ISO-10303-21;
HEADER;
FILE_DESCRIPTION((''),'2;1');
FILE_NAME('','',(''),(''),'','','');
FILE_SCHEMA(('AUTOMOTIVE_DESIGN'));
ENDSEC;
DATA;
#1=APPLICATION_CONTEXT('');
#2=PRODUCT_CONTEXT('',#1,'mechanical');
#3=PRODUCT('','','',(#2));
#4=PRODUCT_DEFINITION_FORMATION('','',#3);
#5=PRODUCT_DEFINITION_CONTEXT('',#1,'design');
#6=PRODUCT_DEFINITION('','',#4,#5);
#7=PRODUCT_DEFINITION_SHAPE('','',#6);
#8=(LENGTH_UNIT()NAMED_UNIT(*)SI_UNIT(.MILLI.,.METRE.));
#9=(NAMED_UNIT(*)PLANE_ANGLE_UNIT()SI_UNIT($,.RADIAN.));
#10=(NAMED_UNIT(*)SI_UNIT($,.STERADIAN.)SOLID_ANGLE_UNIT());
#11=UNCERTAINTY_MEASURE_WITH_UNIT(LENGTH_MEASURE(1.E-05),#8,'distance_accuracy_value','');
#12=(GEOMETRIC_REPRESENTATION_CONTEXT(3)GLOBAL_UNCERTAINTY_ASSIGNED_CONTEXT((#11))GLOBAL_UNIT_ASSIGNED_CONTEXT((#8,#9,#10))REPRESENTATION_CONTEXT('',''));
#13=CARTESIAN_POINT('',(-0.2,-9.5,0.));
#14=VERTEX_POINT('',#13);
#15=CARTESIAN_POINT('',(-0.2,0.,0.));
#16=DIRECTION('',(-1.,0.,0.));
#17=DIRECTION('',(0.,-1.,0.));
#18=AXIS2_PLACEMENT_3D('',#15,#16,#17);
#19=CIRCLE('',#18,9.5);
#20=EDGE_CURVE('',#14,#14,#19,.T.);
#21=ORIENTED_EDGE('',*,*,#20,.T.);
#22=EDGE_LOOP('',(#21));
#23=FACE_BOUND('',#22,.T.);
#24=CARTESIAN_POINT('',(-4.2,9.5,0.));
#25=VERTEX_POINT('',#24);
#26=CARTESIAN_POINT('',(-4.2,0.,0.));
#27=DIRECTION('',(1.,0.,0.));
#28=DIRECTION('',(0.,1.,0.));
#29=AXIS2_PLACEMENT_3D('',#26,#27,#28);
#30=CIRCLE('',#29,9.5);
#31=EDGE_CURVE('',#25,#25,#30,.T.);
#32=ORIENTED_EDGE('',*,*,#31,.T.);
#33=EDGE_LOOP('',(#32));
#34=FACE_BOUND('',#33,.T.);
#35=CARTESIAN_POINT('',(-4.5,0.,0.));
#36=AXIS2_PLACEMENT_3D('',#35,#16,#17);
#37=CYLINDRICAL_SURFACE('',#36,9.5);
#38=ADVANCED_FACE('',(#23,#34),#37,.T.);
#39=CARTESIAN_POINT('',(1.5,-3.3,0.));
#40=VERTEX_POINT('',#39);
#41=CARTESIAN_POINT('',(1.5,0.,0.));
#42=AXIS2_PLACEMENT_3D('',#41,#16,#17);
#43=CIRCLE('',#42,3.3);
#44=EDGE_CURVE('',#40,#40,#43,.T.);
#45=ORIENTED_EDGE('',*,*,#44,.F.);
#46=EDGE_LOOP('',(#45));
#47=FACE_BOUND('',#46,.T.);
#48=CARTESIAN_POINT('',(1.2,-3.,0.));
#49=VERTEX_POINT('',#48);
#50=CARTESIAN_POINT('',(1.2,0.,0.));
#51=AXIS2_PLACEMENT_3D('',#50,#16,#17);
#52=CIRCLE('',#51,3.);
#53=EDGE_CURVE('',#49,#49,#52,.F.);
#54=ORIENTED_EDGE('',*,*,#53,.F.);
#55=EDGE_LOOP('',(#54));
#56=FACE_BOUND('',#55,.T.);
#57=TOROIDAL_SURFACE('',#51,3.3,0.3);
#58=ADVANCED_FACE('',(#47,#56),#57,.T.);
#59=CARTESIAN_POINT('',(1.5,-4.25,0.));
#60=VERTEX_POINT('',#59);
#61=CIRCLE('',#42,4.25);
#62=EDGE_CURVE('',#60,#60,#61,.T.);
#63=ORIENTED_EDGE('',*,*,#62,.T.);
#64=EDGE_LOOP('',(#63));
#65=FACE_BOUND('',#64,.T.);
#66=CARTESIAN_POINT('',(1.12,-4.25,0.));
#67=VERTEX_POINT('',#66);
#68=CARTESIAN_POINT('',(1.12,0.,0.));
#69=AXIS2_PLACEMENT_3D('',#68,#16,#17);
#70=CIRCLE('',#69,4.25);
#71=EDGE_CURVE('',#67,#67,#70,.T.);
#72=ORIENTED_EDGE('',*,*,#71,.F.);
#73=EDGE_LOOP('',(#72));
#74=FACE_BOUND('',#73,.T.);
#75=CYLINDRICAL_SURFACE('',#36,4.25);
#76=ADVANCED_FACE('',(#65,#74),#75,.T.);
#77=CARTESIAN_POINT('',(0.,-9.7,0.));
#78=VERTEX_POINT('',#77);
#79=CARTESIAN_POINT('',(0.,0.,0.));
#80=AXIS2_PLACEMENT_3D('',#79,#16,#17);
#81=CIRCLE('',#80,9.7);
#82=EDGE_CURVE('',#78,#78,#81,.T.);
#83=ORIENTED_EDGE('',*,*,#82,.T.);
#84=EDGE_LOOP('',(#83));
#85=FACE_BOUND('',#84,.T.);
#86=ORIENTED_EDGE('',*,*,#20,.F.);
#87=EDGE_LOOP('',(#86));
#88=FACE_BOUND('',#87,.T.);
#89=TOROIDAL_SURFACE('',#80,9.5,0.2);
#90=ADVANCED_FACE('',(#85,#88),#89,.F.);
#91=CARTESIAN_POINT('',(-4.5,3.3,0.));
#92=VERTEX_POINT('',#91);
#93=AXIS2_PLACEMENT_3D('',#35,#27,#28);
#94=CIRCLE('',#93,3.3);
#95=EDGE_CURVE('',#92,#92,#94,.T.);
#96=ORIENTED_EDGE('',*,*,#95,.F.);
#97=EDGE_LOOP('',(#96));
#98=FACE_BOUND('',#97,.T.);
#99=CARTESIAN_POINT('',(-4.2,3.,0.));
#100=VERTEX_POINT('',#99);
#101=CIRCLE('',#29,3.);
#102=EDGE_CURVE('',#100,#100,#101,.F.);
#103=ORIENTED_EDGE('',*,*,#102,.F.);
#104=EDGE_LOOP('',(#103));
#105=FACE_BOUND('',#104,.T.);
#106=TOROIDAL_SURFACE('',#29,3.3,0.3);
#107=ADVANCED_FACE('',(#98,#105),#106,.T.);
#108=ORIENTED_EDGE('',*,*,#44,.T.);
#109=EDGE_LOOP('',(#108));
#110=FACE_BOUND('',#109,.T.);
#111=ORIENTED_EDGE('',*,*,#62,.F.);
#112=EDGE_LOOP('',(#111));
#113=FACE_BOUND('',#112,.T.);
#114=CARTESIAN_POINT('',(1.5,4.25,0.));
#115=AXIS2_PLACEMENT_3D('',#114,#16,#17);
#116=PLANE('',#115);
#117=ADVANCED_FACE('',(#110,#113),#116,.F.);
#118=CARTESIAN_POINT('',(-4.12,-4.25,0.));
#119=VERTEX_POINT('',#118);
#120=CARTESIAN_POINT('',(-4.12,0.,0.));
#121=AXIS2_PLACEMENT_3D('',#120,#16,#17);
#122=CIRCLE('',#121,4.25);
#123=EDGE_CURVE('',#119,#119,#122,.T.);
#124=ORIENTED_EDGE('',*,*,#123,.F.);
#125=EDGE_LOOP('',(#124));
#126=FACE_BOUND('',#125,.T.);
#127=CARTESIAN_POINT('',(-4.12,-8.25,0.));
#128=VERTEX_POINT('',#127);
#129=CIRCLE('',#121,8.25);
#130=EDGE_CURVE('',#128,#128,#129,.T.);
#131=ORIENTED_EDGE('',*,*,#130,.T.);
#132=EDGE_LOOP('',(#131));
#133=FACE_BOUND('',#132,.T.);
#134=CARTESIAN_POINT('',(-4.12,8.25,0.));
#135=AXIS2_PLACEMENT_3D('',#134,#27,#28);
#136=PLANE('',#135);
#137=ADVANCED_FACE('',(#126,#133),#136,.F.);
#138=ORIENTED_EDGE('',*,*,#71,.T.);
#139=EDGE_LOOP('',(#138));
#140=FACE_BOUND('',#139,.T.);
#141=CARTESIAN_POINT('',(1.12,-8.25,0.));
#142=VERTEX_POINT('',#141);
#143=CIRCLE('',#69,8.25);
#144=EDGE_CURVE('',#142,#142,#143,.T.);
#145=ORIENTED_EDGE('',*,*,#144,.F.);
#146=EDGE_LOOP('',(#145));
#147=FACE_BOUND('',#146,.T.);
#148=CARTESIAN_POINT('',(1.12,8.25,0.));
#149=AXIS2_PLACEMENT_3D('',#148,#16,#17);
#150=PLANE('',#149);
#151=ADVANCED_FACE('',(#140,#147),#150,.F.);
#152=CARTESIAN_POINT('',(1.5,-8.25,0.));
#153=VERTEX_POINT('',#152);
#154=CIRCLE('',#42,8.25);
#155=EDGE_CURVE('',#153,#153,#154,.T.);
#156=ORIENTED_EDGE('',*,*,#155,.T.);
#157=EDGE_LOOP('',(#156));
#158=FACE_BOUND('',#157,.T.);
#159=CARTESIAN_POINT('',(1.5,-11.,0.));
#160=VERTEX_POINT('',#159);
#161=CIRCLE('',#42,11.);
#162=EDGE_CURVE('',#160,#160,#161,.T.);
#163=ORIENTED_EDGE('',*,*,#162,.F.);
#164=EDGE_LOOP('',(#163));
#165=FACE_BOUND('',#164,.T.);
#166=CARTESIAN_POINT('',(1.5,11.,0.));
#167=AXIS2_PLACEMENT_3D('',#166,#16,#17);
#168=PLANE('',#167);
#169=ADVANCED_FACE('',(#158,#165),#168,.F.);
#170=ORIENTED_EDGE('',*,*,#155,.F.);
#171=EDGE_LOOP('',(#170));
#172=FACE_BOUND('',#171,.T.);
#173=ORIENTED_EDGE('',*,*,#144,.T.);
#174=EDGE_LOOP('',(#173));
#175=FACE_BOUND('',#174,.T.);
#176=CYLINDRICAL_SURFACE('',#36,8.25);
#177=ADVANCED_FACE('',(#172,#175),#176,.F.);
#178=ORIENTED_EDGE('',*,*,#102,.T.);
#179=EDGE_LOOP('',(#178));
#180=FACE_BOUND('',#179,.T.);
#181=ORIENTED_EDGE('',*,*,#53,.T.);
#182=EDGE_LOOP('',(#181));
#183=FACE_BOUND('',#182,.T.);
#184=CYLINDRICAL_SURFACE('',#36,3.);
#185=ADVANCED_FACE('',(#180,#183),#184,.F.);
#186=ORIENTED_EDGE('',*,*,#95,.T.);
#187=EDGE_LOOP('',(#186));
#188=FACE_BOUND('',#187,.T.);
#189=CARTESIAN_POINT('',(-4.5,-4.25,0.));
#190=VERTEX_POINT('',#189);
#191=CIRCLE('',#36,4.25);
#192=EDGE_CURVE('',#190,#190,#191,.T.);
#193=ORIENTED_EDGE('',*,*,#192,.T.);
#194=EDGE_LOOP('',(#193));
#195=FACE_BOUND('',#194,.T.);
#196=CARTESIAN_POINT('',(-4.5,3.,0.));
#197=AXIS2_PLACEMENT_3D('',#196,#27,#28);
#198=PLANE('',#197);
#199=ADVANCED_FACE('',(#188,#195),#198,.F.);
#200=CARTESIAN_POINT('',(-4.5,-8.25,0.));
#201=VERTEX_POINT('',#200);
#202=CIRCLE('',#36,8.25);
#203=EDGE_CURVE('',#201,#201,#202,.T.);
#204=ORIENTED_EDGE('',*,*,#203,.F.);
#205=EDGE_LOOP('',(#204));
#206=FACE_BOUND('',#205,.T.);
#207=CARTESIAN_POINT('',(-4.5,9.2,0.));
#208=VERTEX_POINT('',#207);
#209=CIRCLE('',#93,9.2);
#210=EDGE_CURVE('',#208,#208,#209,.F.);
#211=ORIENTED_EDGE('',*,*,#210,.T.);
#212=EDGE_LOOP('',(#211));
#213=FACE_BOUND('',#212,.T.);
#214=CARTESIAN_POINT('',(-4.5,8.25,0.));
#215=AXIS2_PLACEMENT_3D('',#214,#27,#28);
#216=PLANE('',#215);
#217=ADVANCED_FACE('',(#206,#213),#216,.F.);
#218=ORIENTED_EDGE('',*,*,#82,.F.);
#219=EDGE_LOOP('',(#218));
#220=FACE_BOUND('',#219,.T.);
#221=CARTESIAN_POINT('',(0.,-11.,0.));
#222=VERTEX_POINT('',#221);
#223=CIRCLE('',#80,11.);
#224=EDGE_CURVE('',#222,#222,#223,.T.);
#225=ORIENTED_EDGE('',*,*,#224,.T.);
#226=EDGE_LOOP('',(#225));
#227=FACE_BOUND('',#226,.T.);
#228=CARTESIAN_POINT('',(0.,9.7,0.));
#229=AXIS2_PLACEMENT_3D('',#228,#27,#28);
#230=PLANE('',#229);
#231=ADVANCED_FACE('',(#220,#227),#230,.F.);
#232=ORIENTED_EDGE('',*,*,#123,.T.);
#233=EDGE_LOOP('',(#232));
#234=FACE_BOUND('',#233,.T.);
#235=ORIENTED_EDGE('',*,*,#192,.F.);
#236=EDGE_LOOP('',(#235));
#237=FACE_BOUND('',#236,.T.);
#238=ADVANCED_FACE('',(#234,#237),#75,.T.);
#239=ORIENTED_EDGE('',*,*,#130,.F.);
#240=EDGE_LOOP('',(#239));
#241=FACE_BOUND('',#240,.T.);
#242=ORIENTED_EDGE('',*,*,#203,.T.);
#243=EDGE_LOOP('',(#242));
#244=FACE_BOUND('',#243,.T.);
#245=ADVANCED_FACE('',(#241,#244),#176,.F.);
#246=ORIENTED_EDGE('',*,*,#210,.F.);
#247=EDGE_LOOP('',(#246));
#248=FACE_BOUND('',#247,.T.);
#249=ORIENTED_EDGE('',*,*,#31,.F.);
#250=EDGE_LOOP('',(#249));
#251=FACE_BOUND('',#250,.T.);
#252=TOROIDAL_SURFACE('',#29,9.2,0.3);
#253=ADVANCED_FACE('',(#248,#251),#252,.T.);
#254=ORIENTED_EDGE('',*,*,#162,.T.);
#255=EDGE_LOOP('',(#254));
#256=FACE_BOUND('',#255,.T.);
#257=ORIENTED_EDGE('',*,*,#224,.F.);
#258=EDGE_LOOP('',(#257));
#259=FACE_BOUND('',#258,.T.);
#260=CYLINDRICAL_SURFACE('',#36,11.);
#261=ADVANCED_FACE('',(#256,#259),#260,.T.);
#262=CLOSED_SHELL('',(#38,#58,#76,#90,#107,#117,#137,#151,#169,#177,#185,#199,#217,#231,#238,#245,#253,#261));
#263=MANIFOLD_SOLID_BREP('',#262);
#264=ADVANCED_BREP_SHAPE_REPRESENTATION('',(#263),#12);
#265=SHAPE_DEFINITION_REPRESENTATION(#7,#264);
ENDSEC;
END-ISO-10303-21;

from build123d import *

# Parameters (mm, degrees)
FILLET1_R = 0.3


with BuildPart() as part:
    # Sketch1 → Revolve1 (revolve)
    with BuildSketch(Plane.XY):
        with BuildLine():
            Line((0, 9.7), (0, 11))
            Line((0, 11), (1.5, 11))
            Line((1.5, 11), (1.5, 8.25))
            Line((1.5, 8.25), (1.12, 8.25))
            Line((1.12, 8.25), (1.12, 4.25))
            Line((1.12, 4.25), (1.5, 4.25))
            Line((1.5, 4.25), (1.5, 3))
            Line((1.5, 3), (-4.5, 3))
            Line((-4.5, 3), (-4.5, 4.25))
            Line((-4.5, 4.25), (-4.12, 4.25))
            Line((-4.12, 4.25), (-4.12, 8.25))
            Line((-4.12, 8.25), (-4.5, 8.25))
            Line((-4.5, 8.25), (-4.5, 9.5))
            Line((-4.5, 9.5), (-0.2, 9.5))
            ThreePointArc((-0.2, 9.5), (0.141421356, 9.358578644), (0, 9.7))
        make_face()
    revolve(axis=Axis((-4.5, 0, 0), (1, 0, 0)))

    # Fillet1
    fillet1_edges = [part.edges().sort_by_distance(p)[0] for p in [
        (1.5, -3, 0),
        (-4.5, -3, 0),
        (-4.5, -9.5, 0),
    ]]
    fillet(fillet1_edges, radius=FILLET1_R)


solid = part.part
